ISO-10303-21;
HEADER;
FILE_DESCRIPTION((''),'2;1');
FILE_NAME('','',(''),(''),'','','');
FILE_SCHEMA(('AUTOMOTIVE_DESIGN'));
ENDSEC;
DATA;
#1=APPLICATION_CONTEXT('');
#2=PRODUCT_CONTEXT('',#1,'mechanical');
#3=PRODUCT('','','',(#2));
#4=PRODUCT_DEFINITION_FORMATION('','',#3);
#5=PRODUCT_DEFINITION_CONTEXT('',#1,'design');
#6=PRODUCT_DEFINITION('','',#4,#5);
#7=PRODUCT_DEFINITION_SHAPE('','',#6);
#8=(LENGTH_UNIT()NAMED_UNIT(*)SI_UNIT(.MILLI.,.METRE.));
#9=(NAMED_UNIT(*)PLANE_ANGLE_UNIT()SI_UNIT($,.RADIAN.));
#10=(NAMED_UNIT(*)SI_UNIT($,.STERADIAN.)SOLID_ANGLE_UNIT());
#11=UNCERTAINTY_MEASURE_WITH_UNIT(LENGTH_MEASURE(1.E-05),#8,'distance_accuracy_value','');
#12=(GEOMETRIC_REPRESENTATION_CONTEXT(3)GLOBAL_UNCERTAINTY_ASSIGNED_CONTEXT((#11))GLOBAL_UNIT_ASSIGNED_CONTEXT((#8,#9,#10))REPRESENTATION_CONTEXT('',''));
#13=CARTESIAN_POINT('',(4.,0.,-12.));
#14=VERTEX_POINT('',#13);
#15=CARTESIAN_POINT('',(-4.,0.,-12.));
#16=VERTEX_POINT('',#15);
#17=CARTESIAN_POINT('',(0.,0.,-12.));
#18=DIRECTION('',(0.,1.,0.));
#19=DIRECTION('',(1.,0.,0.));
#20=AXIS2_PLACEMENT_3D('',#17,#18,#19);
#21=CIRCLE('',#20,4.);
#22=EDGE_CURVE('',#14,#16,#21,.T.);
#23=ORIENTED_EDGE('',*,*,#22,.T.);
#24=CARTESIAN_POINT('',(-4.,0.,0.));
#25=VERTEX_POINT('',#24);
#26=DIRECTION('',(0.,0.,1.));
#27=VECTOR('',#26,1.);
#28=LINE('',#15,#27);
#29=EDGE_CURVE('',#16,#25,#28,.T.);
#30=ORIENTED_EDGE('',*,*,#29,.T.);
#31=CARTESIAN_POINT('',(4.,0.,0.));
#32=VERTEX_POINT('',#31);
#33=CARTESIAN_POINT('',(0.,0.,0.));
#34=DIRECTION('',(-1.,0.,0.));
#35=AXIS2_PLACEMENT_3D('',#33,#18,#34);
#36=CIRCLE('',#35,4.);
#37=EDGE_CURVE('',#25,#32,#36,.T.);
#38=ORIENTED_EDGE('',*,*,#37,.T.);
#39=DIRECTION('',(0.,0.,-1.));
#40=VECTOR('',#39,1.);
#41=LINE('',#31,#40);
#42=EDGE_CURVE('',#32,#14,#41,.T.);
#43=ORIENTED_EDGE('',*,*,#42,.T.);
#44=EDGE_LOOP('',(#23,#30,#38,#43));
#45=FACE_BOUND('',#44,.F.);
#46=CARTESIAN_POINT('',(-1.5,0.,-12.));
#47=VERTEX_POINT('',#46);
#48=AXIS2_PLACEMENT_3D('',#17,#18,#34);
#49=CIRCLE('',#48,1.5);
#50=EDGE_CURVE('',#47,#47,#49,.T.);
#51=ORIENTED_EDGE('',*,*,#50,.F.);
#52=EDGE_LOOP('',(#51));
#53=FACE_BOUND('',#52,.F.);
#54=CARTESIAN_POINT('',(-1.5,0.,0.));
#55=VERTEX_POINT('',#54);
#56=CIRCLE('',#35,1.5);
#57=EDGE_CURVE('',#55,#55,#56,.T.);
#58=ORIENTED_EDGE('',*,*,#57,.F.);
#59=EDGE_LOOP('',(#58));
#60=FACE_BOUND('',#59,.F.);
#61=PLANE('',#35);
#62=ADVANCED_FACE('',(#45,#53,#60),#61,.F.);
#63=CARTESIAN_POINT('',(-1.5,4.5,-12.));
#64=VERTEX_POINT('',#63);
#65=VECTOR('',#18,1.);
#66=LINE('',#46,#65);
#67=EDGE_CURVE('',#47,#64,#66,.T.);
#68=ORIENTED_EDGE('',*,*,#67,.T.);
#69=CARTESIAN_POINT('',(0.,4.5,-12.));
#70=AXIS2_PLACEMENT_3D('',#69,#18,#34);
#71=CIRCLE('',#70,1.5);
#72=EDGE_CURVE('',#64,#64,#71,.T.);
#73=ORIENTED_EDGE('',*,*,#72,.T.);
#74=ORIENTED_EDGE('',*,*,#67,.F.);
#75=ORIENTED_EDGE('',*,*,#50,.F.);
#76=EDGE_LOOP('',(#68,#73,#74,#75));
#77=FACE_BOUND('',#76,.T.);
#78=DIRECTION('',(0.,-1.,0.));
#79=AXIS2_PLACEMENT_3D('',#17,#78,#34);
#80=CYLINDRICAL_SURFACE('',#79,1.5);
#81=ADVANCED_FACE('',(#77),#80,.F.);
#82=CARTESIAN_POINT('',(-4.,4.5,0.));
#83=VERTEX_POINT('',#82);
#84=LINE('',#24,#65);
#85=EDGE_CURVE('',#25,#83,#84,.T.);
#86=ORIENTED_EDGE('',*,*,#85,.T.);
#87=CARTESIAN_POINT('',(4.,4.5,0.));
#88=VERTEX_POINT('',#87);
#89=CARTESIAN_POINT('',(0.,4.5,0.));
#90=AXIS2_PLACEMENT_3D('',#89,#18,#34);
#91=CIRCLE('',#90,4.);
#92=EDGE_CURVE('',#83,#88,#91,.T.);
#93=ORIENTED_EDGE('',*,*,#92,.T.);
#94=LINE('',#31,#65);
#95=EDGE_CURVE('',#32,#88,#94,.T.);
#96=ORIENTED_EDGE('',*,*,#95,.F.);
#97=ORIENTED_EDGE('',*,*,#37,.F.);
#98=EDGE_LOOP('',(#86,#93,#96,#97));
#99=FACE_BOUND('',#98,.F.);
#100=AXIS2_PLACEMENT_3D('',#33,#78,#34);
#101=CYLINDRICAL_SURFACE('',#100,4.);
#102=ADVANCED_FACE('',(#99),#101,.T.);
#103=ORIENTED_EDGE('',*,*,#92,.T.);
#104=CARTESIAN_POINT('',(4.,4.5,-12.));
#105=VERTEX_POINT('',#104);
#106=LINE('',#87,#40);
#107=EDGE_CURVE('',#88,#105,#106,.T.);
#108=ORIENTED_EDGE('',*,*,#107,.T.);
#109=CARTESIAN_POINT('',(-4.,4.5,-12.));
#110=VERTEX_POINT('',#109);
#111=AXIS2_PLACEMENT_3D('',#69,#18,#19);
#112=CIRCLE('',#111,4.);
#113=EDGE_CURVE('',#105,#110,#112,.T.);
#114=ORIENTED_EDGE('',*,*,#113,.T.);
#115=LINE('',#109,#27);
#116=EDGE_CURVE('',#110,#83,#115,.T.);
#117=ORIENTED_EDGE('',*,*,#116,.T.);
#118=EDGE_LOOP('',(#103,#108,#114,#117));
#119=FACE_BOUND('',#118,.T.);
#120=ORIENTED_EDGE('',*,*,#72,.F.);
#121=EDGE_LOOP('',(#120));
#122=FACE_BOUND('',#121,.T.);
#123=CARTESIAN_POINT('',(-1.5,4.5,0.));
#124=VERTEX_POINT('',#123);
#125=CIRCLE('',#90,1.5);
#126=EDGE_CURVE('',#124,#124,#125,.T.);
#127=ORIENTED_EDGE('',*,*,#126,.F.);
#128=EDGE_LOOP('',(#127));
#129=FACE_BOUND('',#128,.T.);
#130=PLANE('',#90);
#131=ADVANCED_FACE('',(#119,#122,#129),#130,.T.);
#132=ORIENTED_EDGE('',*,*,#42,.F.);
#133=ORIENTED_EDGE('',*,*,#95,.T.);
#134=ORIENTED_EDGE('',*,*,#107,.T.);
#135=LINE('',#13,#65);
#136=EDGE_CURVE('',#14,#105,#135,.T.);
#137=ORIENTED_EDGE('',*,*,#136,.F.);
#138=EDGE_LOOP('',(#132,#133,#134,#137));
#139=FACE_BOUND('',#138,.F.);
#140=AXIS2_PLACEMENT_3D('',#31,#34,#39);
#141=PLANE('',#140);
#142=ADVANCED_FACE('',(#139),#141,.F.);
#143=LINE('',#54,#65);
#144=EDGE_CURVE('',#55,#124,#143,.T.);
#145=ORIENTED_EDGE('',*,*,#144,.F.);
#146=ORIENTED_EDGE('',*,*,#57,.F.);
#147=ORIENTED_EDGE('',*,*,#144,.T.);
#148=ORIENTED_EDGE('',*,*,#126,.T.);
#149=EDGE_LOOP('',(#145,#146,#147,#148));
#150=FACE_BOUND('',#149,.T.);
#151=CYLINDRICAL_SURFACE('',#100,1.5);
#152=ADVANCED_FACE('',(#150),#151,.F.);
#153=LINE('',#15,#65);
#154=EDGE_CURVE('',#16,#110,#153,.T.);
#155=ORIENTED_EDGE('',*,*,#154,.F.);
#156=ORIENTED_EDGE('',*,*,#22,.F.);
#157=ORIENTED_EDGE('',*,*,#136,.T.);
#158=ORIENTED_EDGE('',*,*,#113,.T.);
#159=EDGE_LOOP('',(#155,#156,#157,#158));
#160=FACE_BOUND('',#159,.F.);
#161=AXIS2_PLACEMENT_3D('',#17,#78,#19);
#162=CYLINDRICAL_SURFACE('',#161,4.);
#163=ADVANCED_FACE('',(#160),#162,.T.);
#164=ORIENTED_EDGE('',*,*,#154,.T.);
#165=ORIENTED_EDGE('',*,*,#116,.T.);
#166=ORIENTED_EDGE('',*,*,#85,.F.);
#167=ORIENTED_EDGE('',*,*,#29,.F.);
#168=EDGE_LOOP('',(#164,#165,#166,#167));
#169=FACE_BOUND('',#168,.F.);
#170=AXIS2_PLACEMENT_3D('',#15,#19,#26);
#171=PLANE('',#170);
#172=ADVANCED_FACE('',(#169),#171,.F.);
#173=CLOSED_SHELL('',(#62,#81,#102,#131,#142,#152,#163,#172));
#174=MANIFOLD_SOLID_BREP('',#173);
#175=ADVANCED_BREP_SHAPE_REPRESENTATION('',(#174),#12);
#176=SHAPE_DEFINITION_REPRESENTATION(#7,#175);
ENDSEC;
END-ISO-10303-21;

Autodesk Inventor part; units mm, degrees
ref_plane "YZ Plane" through (0, 0, 0) normal (1, 0, 0) x (0, 1, 0)
ref_plane "XZ Plane" through (0, 0, 0) normal (0, 1, 0) x (-1, 0, 0)
ref_plane "XY Plane" through (0, 0, 0) normal (0, 0, 1) x (1, 0, 0)
sketch "Sketch1" plane through (0, 0, 0) normal (0, 1, 0) x (-1, 0, 0)
  line L0 (0, 0) -> (0, -12) construction
  line L1 (-4, 0) -> (-4, -12)
  line L2 (4, -12) -> (4, 0)
  arc A0 (4, 0) -> (-4, 0) centre (0, 0) ccw
  arc A1 (-4, -12) -> (4, -12) centre (0, -12) ccw
  circle A2 centre (0, 0) radius 1.5
  circle A3 centre (0, -12) radius 1.5
  point P0 (0, -6)
  dimension "d1" = 8
  dimension "d2" = 3
  dimension "d3" = 3
  dimension "d4" = 6
extrude "Extrusion1" add sketch "Sketch1" along normal blind 4.5
sketch "Sketch2" plane through (0, 4.5, 0) normal (0, 1, 0) x (1, 0, 0)
  arc A0 (4, 12) -> (-4, 12) centre (0, 12) ccw projected
  line L0 (-4, 12) -> (-4, 0) projected
  arc A1 (-4, 0) -> (4, 0) centre (0, 0) ccw projected
  line L1 (4, 0) -> (4, 12) projected
  circle A2 centre (0, 12) radius 1.5 projected
  circle A3 centre (0, 0) radius 1.5 projected
properties part number "Wing_joint_link"
